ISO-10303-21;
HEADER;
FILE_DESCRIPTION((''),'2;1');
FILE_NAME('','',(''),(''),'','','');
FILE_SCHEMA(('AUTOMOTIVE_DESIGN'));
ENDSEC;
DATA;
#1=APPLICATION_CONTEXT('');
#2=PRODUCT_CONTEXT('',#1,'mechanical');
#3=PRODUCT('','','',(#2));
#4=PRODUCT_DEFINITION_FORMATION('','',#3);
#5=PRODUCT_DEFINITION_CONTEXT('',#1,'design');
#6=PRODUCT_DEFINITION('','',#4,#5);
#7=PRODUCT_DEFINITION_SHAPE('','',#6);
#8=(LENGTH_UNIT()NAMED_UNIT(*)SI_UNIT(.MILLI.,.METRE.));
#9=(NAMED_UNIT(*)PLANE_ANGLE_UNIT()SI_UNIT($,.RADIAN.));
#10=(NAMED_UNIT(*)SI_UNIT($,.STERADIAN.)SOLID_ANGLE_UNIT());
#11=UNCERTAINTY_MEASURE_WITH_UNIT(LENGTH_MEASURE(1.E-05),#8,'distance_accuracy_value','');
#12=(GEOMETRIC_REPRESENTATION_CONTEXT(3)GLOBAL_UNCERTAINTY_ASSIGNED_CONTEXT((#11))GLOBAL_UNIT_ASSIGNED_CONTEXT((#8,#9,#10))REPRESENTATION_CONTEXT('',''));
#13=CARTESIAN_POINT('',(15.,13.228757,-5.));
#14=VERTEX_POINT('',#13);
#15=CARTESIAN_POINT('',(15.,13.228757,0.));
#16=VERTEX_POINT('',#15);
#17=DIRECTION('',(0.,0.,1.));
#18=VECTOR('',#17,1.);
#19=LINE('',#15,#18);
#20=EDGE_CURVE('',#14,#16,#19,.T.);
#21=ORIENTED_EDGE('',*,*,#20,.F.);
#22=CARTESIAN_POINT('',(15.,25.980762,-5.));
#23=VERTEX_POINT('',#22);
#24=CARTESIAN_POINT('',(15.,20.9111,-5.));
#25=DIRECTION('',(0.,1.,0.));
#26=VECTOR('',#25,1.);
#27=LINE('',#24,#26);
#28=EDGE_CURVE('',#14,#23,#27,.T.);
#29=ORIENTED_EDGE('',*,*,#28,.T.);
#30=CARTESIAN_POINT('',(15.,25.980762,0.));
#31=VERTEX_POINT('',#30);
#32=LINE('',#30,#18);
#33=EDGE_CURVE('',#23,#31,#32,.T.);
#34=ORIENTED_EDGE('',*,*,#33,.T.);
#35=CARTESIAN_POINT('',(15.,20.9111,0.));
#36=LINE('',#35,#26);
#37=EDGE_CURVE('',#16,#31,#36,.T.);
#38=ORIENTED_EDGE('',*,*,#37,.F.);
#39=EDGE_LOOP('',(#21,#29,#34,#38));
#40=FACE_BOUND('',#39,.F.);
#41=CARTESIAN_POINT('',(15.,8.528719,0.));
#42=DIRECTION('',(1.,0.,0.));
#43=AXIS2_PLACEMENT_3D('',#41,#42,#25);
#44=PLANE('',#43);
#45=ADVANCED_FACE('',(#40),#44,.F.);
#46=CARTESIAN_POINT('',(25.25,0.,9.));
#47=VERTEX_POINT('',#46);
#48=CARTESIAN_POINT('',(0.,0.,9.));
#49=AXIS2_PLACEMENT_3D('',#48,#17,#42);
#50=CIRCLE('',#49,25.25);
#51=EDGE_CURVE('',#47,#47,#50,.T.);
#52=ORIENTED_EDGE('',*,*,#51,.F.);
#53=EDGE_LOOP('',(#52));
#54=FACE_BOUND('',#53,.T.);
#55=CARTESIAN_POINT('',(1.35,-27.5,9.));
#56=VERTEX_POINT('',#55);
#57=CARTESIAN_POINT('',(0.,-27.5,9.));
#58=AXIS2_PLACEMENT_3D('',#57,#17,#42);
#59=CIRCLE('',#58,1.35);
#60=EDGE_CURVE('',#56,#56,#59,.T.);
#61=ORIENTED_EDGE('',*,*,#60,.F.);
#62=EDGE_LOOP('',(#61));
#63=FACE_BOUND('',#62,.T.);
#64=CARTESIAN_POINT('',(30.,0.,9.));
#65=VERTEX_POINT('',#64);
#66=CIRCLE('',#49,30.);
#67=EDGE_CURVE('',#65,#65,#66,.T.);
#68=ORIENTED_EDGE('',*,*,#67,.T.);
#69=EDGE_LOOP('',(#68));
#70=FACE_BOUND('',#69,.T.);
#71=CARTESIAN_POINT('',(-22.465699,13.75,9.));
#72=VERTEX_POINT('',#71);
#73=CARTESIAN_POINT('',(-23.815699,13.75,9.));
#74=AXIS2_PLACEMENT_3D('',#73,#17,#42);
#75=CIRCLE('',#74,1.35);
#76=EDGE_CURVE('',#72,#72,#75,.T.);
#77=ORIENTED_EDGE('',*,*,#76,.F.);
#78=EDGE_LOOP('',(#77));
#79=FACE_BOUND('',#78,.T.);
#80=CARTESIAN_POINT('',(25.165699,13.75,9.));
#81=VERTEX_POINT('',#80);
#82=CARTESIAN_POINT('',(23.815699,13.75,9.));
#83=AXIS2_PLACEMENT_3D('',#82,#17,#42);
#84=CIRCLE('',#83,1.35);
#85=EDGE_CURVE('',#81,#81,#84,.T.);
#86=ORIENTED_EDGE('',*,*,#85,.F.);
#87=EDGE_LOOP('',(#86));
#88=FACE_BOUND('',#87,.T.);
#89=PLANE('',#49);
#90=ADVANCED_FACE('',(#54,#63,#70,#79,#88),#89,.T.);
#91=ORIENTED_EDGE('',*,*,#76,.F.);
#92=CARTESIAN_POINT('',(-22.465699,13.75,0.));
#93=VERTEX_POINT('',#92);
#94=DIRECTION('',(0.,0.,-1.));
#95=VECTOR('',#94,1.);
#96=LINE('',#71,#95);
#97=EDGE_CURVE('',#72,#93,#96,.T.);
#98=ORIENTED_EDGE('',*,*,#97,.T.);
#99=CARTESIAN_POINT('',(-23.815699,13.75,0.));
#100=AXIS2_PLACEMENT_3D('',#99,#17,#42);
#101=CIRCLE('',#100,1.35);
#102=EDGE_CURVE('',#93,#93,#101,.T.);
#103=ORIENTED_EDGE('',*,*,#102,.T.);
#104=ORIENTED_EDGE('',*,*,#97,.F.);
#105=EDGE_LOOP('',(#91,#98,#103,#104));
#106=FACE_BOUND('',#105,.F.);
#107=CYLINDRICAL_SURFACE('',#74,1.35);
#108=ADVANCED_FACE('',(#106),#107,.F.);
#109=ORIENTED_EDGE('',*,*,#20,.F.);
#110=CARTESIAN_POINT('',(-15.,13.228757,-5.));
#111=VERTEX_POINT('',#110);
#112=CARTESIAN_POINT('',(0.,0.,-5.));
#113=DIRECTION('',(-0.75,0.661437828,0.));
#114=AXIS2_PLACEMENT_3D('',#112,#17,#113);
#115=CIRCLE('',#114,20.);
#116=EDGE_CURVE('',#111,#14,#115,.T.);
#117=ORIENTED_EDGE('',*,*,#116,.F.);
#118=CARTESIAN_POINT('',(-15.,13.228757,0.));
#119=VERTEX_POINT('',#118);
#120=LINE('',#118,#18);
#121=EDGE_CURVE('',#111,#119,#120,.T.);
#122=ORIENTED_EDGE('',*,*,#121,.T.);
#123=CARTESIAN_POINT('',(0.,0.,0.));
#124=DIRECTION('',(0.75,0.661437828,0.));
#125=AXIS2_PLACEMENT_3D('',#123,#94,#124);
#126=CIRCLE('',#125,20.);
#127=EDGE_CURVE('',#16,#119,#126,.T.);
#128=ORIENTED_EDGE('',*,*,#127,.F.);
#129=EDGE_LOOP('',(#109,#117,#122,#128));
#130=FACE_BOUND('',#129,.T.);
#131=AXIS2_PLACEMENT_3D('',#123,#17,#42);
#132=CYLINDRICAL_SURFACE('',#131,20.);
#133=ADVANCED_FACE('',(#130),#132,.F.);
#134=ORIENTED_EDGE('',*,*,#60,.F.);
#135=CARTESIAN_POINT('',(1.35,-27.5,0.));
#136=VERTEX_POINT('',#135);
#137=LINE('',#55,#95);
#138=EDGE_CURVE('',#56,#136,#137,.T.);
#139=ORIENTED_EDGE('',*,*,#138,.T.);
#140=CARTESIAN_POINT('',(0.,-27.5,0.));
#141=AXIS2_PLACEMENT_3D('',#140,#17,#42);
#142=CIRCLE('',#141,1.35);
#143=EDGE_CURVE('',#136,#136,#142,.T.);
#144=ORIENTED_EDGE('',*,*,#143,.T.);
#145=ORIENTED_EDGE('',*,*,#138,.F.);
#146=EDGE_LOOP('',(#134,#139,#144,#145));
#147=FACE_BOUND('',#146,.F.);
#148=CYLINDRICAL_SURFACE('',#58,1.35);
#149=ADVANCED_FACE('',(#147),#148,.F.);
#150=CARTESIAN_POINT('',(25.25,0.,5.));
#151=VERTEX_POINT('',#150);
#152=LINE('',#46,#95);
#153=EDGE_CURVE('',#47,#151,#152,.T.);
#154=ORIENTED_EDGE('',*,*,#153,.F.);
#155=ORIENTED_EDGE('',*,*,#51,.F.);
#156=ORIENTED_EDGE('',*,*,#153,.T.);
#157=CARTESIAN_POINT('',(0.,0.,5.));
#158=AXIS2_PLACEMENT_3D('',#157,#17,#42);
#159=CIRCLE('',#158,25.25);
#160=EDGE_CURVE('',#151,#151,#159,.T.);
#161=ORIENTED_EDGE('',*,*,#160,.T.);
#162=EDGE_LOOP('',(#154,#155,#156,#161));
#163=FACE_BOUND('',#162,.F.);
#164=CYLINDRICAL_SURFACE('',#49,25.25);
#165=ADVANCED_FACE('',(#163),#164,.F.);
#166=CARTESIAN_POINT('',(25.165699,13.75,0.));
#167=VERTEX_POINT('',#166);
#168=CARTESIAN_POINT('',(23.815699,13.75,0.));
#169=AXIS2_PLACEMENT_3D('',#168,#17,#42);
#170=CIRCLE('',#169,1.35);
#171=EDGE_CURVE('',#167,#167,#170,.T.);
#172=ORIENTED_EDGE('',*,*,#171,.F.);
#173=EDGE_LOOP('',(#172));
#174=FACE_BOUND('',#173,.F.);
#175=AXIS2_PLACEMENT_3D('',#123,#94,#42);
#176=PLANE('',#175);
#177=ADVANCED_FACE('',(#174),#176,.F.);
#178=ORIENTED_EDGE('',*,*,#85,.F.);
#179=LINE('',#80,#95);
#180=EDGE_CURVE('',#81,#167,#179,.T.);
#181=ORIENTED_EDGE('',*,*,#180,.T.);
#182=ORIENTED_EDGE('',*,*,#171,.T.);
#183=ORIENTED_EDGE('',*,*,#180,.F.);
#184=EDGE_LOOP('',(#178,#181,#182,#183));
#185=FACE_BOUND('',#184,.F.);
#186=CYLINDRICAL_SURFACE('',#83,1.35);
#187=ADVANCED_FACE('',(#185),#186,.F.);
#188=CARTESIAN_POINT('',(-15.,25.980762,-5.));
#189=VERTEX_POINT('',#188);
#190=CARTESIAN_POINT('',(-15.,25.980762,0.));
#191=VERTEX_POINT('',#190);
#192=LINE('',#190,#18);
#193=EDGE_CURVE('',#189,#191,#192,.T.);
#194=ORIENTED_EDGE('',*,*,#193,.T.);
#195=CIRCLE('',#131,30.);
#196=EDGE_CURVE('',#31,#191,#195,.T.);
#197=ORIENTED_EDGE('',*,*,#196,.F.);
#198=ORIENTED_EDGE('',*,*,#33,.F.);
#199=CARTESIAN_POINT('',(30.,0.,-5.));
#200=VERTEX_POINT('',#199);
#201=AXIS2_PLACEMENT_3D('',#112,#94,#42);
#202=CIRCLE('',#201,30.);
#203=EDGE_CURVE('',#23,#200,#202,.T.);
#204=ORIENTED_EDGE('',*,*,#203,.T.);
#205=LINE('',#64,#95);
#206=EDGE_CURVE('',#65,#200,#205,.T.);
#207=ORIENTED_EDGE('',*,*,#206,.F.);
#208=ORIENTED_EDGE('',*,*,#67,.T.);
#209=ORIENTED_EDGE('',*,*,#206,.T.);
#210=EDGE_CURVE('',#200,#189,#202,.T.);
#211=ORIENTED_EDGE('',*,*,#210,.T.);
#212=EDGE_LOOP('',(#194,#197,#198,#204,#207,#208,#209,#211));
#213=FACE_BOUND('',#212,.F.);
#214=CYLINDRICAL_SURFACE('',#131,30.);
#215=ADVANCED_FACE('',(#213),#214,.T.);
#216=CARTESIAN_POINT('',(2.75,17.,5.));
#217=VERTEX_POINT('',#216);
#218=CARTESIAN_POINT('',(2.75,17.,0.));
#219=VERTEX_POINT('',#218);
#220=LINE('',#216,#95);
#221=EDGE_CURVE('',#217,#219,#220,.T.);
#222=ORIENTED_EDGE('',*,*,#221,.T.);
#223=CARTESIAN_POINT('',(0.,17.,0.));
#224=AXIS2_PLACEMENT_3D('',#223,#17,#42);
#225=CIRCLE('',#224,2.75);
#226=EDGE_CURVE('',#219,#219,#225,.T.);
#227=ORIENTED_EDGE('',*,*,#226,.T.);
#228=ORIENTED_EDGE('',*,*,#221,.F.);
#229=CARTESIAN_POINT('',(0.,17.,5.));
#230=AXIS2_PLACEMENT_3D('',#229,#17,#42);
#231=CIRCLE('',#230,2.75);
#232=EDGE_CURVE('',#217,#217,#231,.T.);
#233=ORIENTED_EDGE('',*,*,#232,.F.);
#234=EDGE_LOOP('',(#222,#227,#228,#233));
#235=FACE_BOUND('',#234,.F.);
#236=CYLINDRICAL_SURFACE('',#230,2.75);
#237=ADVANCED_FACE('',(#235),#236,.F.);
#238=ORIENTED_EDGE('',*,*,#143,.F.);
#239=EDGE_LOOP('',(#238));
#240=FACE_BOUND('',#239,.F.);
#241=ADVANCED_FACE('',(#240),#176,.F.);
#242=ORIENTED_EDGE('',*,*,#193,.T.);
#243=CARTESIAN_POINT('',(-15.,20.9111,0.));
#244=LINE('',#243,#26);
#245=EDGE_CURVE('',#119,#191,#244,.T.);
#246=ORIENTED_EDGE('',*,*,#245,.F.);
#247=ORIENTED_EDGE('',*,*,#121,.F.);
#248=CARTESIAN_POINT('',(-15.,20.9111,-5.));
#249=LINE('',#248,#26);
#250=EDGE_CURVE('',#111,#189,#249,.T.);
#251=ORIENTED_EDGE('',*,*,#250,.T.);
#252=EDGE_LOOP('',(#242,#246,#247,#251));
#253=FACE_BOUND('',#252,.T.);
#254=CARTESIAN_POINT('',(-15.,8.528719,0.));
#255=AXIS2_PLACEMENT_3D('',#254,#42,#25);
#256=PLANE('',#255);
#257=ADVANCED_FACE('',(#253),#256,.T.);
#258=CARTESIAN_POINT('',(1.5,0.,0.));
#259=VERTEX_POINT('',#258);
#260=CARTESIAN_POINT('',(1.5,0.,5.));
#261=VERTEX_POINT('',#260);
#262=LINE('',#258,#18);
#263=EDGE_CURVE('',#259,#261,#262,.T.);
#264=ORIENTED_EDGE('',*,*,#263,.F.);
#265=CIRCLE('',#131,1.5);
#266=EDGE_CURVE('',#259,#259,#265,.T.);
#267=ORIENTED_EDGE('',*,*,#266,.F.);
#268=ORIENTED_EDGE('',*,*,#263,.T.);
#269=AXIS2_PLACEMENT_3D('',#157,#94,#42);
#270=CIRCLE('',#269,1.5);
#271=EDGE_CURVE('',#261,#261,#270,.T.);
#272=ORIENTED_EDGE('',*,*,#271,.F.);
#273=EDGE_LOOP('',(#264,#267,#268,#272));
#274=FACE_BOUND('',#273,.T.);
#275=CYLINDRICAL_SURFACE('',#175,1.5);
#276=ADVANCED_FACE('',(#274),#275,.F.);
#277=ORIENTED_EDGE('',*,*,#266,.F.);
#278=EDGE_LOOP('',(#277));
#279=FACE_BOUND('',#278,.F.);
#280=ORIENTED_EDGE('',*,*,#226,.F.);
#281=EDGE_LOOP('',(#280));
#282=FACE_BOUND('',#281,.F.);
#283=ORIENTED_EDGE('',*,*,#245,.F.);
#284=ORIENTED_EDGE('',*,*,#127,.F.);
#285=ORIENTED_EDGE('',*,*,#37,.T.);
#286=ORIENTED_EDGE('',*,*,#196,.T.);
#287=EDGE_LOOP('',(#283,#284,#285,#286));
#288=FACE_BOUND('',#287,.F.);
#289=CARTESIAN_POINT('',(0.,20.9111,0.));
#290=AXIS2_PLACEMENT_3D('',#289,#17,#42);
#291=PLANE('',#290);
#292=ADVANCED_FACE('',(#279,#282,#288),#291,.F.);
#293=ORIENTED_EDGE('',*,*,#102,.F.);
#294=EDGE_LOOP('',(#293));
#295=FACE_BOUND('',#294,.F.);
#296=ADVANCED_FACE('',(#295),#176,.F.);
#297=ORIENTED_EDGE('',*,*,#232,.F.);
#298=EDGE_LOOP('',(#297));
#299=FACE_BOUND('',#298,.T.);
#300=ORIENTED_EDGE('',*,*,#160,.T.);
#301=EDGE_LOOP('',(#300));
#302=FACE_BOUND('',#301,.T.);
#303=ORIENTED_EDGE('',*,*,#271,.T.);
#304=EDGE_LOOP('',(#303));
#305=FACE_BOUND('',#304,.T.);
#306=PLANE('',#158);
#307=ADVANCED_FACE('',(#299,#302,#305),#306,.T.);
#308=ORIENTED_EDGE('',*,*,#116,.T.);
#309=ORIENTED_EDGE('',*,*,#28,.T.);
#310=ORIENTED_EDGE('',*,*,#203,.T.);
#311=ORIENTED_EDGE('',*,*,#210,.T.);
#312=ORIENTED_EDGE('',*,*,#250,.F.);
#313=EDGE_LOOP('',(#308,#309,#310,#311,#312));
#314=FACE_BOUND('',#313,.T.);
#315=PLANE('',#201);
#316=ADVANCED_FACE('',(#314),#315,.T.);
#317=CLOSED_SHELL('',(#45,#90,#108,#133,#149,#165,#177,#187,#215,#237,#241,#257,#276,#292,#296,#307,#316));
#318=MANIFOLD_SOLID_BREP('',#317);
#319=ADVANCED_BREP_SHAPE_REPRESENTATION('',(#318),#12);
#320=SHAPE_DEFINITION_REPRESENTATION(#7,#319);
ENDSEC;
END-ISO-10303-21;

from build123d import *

# Parameters (mm, degrees)
F0_R      = 30
F1_DEPTH  = 9
F2_R      = 25.25
F3_DEPTH  = 4
F4_R      = 1.5
F5_DEPTH  = 9.001
F6_R      = 1.35
F7_DEPTH  = 9.001
F8_R      = 2.75
F9_DEPTH  = 5.001
F10_R     = 30
F10_R_2   = 20
F11_DEPTH = 5
F12_W     = 30
F12_H     = 24.764763
F13_DEPTH = 5


with BuildPart() as f1:
    # F0 (on Top) → F1 (new body)
    with BuildSketch(Plane.XY):
        Circle(F0_R)
    extrude(amount=F1_DEPTH)

    # F2 (on face) → F3 (cut)
    with BuildSketch(Plane.XY.offset(9)):
        Circle(F2_R)
    extrude(amount=-F3_DEPTH, mode=Mode.SUBTRACT)

    # F4 (on Top) → F5 (cut, through all)
    with BuildSketch(Plane.XY):
        Circle(F4_R)
    extrude(amount=F5_DEPTH, mode=Mode.SUBTRACT)

    # F6 (on face) → F7 (cut, through all)
    with BuildSketch(Plane.XY.offset(9)):
        with Locations((23.815699, 13.75)):
            Circle(F6_R)
        with Locations((0, -27.5)):
            Circle(F6_R)
        with Locations((-23.815699, 13.75)):
            Circle(F6_R)
    extrude(amount=-F7_DEPTH, mode=Mode.SUBTRACT)

    # F8 (on face) → F9 (cut, through all)
    with BuildSketch(Plane.XY.offset(5)):
        with Locations((0, 17)):
            Circle(F8_R)
    extrude(amount=-F9_DEPTH, mode=Mode.SUBTRACT)

    # F10 (on face) → F11 (join)
    with BuildSketch(Plane(origin=(0, 0, 0), x_dir=(1, 0, 0), z_dir=(0, 0, -1))):
        Circle(F10_R)
        Circle(F10_R_2, mode=Mode.SUBTRACT)
    extrude(amount=F11_DEPTH)

    # F12 (on Top) → F13 (cut)
    with BuildSketch(Plane.XY):
        with Locations((0, 20.9111)):
            Rectangle(F12_W, F12_H)
    extrude(amount=-F13_DEPTH, mode=Mode.SUBTRACT)


solid = f1.part
